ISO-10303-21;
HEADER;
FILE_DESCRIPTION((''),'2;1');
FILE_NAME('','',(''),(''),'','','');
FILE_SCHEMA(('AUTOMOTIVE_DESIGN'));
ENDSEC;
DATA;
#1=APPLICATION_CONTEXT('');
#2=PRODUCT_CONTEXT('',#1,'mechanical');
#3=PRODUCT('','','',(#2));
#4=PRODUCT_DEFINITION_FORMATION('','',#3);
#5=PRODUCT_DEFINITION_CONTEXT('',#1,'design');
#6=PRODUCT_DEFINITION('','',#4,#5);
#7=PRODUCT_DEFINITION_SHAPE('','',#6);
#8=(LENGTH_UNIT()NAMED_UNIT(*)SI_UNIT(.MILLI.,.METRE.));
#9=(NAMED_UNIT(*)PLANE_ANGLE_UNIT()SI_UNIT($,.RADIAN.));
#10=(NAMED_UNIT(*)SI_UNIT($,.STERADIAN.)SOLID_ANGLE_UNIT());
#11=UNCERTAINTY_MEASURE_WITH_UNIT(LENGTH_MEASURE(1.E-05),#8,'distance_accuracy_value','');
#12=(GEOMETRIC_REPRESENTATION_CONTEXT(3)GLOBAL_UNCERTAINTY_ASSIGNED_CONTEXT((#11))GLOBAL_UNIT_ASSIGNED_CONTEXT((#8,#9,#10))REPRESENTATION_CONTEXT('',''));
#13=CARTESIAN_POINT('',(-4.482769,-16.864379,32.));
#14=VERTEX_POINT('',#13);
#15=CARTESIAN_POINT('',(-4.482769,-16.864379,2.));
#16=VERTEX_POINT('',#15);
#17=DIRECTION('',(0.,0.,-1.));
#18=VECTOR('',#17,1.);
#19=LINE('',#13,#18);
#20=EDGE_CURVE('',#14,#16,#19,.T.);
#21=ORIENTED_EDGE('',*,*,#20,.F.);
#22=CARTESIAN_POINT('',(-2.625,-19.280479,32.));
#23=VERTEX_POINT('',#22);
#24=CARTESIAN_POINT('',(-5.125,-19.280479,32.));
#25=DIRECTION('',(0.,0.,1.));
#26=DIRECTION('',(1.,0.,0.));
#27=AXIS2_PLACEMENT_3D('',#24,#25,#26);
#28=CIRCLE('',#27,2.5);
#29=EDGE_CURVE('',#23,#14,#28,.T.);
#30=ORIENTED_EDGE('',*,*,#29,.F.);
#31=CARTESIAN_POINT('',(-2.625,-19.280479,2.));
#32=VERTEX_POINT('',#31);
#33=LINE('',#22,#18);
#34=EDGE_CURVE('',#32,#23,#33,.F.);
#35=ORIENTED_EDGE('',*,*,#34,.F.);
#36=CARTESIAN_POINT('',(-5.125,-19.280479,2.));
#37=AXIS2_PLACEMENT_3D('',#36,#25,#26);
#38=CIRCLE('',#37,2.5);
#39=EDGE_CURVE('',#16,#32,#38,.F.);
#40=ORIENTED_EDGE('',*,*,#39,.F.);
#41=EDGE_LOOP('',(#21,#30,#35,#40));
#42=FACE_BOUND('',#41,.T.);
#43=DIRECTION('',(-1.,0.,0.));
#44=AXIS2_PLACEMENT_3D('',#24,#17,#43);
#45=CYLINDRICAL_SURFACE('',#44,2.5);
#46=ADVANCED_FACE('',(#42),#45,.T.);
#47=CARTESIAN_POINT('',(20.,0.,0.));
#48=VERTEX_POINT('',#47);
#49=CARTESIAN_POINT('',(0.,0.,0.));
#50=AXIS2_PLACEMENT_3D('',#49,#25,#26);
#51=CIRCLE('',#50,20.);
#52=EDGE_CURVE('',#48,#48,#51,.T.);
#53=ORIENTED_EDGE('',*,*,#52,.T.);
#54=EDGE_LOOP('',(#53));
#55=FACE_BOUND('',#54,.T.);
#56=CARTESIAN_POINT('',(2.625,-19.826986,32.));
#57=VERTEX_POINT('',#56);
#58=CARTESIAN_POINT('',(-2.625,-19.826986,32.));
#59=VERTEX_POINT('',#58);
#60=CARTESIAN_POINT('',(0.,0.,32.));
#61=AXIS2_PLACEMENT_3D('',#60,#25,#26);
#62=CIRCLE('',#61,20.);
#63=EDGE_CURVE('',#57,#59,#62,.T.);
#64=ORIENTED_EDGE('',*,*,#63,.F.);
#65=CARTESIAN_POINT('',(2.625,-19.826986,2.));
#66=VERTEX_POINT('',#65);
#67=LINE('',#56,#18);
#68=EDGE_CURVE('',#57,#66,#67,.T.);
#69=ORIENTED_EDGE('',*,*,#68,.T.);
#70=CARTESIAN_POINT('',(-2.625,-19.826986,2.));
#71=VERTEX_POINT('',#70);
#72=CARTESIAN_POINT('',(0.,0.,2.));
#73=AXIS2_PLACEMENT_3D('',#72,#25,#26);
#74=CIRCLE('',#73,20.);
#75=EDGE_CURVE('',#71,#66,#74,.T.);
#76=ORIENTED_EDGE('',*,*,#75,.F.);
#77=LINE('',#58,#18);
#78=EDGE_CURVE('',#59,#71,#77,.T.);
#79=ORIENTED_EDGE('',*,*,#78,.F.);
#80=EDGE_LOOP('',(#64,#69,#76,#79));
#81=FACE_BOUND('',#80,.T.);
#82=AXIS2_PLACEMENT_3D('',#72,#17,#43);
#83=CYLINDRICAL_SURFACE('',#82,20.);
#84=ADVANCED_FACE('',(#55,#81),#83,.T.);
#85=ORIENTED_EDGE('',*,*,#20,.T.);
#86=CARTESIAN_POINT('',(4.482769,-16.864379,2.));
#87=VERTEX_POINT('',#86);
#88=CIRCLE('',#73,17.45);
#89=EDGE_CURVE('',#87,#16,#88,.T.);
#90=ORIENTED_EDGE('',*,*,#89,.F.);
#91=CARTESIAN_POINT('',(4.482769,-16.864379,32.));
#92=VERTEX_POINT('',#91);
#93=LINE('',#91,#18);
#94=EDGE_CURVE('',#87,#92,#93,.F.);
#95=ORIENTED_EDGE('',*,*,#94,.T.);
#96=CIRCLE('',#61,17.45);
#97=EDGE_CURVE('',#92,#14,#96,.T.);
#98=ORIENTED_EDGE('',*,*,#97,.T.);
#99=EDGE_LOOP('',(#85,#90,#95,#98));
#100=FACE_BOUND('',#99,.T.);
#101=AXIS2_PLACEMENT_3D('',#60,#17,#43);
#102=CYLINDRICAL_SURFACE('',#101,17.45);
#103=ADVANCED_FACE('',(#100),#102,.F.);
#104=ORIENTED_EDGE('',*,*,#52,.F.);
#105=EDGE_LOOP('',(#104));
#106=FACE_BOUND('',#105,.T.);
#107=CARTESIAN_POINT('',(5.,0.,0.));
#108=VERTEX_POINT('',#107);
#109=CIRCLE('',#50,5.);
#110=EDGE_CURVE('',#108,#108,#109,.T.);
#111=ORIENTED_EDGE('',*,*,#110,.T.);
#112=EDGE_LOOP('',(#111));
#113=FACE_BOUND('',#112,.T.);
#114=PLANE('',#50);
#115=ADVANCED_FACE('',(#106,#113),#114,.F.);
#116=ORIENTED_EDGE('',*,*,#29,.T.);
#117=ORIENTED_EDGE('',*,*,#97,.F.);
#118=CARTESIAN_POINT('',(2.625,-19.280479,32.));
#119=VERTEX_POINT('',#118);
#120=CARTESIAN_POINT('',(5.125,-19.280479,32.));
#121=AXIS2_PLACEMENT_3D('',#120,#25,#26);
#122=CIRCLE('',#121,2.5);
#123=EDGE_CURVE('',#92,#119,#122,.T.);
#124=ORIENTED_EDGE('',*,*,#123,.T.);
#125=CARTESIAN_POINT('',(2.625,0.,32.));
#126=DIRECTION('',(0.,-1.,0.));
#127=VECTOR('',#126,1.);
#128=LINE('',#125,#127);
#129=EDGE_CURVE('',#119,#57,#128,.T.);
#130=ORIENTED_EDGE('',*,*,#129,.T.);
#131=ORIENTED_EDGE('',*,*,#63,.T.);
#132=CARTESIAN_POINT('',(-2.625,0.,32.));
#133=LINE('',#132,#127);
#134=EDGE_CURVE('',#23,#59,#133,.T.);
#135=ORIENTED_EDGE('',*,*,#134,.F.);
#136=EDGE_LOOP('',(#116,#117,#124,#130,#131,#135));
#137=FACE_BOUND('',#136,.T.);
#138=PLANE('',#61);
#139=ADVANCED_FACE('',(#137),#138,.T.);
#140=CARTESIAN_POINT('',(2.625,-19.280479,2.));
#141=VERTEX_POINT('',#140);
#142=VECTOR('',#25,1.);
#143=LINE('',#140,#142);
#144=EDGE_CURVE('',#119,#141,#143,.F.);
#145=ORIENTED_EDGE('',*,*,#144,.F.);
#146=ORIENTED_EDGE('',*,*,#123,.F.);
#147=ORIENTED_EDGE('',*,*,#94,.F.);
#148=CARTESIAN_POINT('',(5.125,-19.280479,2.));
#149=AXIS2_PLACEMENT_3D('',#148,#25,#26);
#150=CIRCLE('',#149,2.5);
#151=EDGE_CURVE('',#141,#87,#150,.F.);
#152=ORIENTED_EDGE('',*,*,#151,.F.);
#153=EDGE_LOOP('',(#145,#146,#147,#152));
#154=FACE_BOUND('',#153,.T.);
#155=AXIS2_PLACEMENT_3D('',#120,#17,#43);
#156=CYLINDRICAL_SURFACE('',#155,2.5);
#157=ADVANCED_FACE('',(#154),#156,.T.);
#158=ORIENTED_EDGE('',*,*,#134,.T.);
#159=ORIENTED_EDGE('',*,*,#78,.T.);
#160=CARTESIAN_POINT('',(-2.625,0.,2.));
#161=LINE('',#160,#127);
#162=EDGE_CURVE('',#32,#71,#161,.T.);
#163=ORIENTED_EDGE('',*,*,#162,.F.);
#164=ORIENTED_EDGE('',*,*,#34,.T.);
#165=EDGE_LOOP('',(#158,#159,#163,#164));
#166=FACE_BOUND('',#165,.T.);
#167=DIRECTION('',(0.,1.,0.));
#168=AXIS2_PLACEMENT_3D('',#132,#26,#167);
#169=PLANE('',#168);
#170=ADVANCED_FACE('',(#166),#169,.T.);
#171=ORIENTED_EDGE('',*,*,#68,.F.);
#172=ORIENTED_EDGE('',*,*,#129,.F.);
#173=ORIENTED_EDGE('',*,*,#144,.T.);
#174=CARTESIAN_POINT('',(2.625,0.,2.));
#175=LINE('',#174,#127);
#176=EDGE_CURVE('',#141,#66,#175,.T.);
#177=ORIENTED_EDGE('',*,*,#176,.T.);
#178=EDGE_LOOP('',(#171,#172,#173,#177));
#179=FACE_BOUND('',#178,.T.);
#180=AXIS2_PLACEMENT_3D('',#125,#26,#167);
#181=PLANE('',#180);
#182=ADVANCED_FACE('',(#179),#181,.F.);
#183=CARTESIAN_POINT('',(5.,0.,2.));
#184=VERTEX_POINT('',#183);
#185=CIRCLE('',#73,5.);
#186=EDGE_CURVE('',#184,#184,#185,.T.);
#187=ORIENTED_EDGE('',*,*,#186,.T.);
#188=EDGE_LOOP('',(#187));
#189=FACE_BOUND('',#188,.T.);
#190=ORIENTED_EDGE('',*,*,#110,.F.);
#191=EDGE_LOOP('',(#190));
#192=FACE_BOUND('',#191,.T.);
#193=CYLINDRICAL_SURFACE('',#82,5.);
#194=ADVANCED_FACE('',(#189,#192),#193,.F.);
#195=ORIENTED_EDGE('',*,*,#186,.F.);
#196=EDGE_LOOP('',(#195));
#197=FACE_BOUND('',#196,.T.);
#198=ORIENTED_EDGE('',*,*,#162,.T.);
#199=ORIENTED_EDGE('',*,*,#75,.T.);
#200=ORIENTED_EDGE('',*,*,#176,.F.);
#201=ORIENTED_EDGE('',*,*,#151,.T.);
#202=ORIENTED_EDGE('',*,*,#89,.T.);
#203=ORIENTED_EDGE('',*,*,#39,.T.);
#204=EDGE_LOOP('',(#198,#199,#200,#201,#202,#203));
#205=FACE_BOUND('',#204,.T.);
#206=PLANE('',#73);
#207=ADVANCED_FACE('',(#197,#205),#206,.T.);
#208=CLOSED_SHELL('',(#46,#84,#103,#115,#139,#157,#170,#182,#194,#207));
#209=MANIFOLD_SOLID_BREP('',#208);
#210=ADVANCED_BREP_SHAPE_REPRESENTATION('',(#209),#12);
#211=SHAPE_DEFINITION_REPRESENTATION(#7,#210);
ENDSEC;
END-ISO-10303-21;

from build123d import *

# Parameters (mm, degrees)
SKETCH1_R           = 20
SKETCH1_R_2         = 5
BOSS_EXTRUDE1_DEPTH = 2
BOSS_EXTRUDE2_DEPTH = 30
FILLET1_R           = 2.5


with BuildPart() as part:
    # Sketch1 → Boss-Extrude1 (new body)
    with BuildSketch(Plane.XY):
        Circle(SKETCH1_R)
        Circle(SKETCH1_R_2, mode=Mode.SUBTRACT)
    extrude(amount=BOSS_EXTRUDE1_DEPTH)

    # Sketch2 → Boss-Extrude2 (add)
    with BuildSketch(Plane.XY.offset(2)):
        with BuildLine():
            Line((-2.625, -19.826986029), (-2.625, -17.2514311))
            ThreePointArc((-2.625, -17.2514311), (-11.373131715, 13.234590096), (17.45, 0))
            ThreePointArc((17.45, 0), (13.234590096, -11.373131715), (2.625, -17.2514311))
            Line((2.625, -17.2514311), (2.625, -19.826986029))
            ThreePointArc((2.625, -19.826986029), (15.041608956, -13.181426326), (20, 0))
            ThreePointArc((20, 0), (-13.181426326, 15.041608956), (-2.625, -19.826986029))
        make_face()
    extrude(amount=BOSS_EXTRUDE2_DEPTH)

    # Fillet1
    fillet1_edges = [part.edges().sort_by_distance(p)[0] for p in [
        (-2.625, -17.2514311, 17),
        (2.625, -17.2514311, 17),
    ]]
    fillet(fillet1_edges, radius=FILLET1_R)


solid = part.part
